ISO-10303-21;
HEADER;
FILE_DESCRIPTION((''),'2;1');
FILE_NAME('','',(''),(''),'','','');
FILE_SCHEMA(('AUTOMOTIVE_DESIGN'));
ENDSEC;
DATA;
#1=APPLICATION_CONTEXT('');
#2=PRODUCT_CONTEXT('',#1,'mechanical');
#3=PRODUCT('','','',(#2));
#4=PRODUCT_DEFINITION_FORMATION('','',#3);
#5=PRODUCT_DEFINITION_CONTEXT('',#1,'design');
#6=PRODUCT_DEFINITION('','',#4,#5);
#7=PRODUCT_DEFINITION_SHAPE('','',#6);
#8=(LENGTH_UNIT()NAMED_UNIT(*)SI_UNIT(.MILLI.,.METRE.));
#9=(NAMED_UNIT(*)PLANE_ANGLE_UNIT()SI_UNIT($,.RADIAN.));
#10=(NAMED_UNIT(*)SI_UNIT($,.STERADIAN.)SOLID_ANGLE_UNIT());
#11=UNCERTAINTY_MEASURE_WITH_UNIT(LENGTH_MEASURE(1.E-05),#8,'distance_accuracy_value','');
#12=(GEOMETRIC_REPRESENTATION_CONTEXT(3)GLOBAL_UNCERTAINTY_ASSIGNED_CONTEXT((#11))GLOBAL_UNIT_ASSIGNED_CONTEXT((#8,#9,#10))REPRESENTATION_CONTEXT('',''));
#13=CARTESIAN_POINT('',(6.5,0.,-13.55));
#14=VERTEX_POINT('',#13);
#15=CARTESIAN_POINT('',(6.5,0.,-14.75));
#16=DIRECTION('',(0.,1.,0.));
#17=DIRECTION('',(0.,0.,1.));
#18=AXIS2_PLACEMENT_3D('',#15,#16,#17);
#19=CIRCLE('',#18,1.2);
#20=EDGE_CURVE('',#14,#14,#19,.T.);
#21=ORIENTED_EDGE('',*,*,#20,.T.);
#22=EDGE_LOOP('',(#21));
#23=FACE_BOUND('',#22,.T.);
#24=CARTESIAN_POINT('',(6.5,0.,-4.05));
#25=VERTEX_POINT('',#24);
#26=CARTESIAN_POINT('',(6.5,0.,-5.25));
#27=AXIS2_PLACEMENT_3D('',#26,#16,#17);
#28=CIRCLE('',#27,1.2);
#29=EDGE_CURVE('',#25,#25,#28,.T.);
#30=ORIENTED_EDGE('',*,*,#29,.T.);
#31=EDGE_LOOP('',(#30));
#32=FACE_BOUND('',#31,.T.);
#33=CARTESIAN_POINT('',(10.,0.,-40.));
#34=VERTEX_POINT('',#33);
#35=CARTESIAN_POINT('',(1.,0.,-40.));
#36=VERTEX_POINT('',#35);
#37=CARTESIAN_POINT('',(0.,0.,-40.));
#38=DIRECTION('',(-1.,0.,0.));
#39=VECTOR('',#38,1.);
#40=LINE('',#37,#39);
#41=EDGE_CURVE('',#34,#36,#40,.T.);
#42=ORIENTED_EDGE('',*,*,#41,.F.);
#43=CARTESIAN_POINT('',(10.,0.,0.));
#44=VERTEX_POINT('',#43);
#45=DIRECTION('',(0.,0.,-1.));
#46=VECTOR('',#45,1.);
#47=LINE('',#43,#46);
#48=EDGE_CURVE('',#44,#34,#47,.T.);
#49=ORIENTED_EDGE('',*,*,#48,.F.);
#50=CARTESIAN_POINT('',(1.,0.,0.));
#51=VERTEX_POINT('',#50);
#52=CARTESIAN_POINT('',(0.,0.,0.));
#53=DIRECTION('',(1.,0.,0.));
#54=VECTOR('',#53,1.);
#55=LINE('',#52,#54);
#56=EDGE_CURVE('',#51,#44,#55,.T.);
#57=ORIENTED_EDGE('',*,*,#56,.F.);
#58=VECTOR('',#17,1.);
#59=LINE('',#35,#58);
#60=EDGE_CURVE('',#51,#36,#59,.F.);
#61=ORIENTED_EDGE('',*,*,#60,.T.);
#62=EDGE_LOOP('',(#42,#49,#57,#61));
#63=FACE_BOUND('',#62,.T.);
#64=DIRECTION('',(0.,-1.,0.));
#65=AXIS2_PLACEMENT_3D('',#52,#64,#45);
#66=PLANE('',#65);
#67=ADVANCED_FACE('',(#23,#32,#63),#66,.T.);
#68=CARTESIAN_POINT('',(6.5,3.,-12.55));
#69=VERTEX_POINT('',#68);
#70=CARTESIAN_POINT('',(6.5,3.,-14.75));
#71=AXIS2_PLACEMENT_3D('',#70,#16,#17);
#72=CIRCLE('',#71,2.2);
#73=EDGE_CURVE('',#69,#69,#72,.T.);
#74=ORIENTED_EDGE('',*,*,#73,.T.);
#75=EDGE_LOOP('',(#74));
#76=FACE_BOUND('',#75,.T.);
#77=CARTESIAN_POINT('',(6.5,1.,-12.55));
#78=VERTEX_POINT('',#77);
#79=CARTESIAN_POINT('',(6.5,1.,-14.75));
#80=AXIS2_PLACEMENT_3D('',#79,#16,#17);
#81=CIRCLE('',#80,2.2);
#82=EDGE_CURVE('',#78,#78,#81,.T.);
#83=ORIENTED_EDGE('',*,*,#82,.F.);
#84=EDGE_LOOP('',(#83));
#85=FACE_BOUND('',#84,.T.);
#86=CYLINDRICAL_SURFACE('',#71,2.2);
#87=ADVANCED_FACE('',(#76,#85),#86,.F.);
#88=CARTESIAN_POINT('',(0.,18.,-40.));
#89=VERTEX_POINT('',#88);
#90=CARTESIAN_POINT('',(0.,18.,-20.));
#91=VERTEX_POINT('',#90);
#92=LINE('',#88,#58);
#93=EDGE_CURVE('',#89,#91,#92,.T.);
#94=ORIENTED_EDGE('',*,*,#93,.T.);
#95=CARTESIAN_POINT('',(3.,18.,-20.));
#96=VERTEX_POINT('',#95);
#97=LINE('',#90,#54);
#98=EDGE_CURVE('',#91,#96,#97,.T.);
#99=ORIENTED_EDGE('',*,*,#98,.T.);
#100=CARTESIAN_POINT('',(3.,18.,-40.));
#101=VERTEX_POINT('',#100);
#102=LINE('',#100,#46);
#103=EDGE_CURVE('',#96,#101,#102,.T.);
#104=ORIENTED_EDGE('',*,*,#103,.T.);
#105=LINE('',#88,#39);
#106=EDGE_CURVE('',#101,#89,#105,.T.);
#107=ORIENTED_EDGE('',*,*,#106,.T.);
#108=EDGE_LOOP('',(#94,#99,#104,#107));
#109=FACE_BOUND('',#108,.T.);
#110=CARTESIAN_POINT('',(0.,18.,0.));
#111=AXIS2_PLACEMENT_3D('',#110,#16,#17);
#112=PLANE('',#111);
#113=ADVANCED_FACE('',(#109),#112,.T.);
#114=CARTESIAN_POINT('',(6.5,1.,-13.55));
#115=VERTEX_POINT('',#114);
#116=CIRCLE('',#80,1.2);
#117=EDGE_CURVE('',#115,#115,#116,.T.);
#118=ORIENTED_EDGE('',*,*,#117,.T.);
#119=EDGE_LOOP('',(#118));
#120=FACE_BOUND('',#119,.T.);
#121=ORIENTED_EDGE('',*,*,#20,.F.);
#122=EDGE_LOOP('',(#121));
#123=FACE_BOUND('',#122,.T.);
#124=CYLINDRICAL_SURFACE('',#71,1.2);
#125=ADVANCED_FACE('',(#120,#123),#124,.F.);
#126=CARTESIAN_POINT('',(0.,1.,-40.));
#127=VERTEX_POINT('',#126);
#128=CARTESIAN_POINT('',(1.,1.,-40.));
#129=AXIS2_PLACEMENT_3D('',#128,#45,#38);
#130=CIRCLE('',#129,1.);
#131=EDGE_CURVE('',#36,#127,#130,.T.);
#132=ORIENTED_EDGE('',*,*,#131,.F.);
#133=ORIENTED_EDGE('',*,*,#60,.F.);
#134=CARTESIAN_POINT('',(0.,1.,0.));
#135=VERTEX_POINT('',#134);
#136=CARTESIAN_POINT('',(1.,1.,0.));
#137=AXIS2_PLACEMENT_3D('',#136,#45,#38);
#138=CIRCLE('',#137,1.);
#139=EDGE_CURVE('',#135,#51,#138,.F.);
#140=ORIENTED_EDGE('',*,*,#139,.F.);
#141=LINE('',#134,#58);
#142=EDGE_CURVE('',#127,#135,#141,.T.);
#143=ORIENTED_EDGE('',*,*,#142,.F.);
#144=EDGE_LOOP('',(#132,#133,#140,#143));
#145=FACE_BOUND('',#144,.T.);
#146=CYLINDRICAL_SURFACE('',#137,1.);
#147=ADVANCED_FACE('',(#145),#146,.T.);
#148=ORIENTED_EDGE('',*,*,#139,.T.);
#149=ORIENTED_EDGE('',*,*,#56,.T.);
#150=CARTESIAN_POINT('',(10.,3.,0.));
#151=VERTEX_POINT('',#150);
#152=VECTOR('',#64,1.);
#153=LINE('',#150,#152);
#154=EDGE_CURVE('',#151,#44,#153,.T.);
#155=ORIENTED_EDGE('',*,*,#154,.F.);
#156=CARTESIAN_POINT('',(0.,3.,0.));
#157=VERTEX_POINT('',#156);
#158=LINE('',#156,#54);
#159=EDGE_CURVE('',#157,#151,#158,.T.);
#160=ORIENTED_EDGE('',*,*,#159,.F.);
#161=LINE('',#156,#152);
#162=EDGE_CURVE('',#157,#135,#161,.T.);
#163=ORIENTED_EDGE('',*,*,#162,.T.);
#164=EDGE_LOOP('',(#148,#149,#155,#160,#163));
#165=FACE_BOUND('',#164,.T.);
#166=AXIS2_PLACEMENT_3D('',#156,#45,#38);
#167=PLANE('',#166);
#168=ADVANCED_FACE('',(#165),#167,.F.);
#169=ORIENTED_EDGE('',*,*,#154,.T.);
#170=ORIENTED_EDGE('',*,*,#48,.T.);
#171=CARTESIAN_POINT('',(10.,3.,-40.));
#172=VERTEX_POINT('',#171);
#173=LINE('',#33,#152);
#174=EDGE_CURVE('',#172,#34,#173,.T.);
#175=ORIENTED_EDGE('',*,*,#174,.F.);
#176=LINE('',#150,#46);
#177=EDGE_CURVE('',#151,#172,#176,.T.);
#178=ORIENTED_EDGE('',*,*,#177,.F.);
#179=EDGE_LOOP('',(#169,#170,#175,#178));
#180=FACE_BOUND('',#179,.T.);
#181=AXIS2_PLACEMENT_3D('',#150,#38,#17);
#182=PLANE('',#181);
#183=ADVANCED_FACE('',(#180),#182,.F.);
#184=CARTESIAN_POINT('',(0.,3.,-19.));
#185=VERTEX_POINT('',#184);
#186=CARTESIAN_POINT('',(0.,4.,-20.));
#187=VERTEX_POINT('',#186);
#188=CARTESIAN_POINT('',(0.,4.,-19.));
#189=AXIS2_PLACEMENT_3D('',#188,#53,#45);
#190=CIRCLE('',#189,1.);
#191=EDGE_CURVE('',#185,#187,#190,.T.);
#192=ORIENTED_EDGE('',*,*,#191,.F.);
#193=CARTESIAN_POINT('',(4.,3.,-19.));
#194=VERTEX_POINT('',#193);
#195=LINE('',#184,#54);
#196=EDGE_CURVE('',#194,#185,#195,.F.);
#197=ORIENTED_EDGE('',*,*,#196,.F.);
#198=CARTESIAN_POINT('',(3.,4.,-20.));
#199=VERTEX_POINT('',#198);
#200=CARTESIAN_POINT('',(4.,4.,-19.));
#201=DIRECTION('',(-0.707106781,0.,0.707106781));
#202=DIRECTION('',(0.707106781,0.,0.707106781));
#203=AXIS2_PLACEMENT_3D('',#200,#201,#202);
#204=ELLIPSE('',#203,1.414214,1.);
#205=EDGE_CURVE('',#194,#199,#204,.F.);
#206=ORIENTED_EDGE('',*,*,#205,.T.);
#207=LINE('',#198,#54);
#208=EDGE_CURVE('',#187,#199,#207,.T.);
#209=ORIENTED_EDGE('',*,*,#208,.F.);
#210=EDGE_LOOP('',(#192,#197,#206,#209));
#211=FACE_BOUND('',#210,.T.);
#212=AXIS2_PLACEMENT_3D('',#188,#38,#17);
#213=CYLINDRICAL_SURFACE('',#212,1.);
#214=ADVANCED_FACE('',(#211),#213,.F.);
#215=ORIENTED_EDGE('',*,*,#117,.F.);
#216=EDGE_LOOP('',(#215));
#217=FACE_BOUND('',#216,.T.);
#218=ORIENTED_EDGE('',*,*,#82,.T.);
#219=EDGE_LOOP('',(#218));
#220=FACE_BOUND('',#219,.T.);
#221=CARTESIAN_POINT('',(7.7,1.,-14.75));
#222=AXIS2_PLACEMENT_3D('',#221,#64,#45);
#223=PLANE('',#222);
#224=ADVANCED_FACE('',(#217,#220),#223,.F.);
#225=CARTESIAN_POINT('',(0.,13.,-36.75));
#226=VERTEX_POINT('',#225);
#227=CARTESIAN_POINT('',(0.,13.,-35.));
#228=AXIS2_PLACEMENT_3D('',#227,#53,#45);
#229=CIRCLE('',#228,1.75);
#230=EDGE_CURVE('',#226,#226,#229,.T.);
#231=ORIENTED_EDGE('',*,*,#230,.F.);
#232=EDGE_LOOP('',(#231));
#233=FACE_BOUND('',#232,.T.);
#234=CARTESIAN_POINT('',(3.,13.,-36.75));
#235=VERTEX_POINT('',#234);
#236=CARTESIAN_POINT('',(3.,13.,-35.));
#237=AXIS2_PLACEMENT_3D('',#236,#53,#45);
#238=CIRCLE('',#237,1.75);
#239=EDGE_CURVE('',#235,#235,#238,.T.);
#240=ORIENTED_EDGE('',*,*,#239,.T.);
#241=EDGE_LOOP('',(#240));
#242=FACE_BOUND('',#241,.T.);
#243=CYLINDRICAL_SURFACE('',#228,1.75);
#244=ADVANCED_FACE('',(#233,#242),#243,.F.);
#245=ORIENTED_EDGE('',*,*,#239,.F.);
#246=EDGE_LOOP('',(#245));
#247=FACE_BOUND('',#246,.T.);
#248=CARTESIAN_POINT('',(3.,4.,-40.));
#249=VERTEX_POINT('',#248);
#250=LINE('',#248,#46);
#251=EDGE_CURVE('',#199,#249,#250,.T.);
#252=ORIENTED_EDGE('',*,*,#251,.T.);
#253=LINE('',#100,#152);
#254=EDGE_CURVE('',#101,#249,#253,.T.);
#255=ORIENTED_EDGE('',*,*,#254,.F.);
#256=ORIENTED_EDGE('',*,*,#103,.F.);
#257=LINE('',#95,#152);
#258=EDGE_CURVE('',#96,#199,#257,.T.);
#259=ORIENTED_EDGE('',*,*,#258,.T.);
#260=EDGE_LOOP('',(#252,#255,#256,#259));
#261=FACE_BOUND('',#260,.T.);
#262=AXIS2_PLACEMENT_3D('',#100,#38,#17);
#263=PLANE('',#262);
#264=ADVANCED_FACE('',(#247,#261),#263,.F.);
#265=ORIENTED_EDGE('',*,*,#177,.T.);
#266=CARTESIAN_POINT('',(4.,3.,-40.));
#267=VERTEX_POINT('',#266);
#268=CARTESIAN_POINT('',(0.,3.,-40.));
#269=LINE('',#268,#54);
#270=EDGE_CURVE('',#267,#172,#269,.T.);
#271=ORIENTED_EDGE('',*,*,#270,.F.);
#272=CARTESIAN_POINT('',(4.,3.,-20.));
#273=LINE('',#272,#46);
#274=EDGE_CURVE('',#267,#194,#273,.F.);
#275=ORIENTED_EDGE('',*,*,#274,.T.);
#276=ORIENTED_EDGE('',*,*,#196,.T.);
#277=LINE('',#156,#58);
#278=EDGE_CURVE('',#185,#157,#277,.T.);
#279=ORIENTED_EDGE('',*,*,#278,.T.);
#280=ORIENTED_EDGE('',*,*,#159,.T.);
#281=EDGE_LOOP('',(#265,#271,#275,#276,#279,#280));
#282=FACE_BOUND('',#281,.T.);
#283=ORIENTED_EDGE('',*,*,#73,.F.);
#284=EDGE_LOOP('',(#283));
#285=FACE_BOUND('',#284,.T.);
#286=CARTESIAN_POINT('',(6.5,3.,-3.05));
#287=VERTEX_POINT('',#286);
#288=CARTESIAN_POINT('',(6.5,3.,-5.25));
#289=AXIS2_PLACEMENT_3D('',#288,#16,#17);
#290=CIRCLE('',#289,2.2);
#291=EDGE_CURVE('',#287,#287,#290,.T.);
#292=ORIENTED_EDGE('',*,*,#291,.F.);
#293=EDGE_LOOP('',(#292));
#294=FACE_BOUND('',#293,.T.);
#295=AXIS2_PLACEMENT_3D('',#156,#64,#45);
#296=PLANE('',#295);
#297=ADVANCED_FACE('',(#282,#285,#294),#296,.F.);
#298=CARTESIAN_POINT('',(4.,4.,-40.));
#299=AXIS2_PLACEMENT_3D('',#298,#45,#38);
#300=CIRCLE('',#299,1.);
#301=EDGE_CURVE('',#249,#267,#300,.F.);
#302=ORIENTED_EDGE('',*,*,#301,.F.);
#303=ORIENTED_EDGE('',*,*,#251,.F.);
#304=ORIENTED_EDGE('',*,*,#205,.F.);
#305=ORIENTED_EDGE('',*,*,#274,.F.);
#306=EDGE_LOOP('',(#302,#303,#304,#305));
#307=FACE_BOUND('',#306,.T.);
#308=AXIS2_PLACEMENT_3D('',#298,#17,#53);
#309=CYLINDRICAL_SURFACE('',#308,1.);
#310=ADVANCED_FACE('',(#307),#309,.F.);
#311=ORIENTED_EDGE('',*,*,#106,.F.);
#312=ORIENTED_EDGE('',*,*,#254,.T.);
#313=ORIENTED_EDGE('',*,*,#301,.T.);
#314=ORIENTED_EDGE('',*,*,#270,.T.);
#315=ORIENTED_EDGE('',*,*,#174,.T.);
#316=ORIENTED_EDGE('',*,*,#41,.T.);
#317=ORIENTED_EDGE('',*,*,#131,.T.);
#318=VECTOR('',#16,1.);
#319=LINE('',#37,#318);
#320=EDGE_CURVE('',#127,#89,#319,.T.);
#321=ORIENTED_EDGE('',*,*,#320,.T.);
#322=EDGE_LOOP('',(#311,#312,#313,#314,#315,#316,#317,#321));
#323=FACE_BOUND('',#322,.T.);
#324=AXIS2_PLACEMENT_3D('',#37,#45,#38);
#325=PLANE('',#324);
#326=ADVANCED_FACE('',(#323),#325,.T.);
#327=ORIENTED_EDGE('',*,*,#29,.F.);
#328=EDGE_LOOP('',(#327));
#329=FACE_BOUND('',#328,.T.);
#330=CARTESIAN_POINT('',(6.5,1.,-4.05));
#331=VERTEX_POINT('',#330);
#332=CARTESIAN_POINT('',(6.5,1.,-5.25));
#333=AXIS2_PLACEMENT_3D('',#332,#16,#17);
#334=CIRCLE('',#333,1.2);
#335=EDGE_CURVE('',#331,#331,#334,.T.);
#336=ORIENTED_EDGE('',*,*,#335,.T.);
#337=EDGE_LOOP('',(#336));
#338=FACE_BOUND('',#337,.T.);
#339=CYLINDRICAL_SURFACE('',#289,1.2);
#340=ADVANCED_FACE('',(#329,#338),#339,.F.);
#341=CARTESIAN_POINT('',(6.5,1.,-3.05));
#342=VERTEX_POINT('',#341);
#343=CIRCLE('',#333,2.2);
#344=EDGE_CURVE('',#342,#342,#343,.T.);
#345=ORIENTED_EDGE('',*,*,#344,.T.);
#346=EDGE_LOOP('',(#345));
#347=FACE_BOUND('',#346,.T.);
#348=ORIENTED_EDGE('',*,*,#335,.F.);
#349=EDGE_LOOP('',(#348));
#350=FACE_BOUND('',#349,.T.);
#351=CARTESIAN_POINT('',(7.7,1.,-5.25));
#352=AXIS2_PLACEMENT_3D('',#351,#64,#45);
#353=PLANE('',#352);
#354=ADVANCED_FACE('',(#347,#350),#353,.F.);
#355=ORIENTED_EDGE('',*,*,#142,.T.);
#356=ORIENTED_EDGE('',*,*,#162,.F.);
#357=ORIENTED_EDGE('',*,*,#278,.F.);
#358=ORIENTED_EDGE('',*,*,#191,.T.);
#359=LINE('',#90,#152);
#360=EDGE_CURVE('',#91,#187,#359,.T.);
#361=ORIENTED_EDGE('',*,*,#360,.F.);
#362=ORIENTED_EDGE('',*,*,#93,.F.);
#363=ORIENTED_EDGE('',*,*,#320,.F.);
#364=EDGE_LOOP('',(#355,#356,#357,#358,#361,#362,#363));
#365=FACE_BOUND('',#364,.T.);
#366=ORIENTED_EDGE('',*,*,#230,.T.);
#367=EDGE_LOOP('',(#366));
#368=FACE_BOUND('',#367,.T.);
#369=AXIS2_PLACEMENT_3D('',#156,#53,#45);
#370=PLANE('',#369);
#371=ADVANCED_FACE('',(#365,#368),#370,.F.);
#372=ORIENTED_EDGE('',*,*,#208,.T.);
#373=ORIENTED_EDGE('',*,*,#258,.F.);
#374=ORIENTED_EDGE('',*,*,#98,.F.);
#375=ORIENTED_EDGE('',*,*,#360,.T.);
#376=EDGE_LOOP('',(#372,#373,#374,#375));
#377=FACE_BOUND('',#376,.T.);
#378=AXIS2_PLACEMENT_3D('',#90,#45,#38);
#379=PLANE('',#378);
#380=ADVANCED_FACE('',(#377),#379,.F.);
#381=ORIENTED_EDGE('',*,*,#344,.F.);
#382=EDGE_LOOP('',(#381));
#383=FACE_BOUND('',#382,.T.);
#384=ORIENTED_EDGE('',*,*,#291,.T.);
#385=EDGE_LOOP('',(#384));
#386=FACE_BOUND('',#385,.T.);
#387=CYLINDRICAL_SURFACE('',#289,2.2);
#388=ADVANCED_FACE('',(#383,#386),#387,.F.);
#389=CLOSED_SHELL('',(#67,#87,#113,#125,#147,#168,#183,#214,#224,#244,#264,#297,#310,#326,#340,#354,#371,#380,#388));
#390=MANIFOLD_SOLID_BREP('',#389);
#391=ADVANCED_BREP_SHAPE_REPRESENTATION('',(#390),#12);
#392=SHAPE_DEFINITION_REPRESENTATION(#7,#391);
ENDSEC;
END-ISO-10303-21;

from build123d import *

# Parameters (mm, degrees)
SKETCH1_W                      = 10
SKETCH1_H                      = 20
SKETCH1_R                      = 1.175
BOSS_EXTRUDE1_DEPTH            = 3
CBORE_FOR_M2_SHCS1_D           = 2.4
CBORE_FOR_M2_SHCS1_CBORE_D     = 4.4
CBORE_FOR_M2_SHCS1_CBORE_DEPTH = 2
SKETCH6_W                      = 10
SKETCH6_H                      = 3
BOSS_EXTRUDE2_DEPTH            = 20
SKETCH8_W                      = 3
SKETCH8_H                      = 20
BOSS_EXTRUDE3_DEPTH            = 15
SKETCH9_R                      = 1.75
CUT_EXTRUDE1_DEPTH             = 45.418464629
FILLET1_R                      = 1
FILLET2_R                      = 1


with BuildPart() as part:
    # Sketch1 → Boss-Extrude1 (new body)
    with BuildSketch(Plane(origin=(0, 0, 0), x_dir=(1, 0, 0), z_dir=(0, 1, 0))):
        with Locations((5, 10)):
            Rectangle(SKETCH1_W, SKETCH1_H)
        with Locations(Location((6.5, 5.25, 0), (0, 0, 270))):
            Circle(SKETCH1_R, mode=Mode.SUBTRACT)
        with Locations(Location((6.5, 14.75, 0), (0, 0, 270))):
            Circle(SKETCH1_R, mode=Mode.SUBTRACT)
    extrude(amount=BOSS_EXTRUDE1_DEPTH)

    # CBORE for M2 SHCS1 (through all)
    with Locations(Plane(origin=(0, 3, 0), x_dir=(1, 0, 0), z_dir=(0, 1, 0))):
        with Locations((6.5, 14.75), (6.5, 5.25)):
            CounterBoreHole(CBORE_FOR_M2_SHCS1_D / 2, CBORE_FOR_M2_SHCS1_CBORE_D / 2, CBORE_FOR_M2_SHCS1_CBORE_DEPTH)

    # Sketch6 → Boss-Extrude2 (add)
    with BuildSketch(Plane(origin=(0, 0, -20), x_dir=(-1, 0, 0), z_dir=(0, 0, -1))):
        with Locations((-5, 1.5)):
            Rectangle(SKETCH6_W, SKETCH6_H)
    extrude(amount=BOSS_EXTRUDE2_DEPTH)

    # Sketch8 → Boss-Extrude3 (add)
    with BuildSketch(Plane(origin=(0, 3, 0), x_dir=(1, 0, 0), z_dir=(0, 1, 0))):
        with Locations((1.5, 30)):
            Rectangle(SKETCH8_W, SKETCH8_H)
    extrude(amount=BOSS_EXTRUDE3_DEPTH)

    # Sketch9 → Cut-Extrude1 (cut, through all)
    with BuildSketch(Plane(origin=(3, 0, 0), x_dir=(0, 0, -1), z_dir=(1, 0, 0))):
        with Locations((35, 13)):
            Circle(SKETCH9_R)
    extrude(amount=-CUT_EXTRUDE1_DEPTH, mode=Mode.SUBTRACT)

    # Fillet1
    fillet1_edges = [part.edges().sort_by_distance(p)[0] for p in [
        (1.5, 3, -20),
        (3, 3, -30),
    ]]
    fillet(fillet1_edges, radius=FILLET1_R)

    # Fillet2
    fillet2_edges = [part.edges().sort_by_distance(p)[0] for p in [
        (0, 0, -20),
    ]]
    fillet(fillet2_edges, radius=FILLET2_R)


solid = part.part
